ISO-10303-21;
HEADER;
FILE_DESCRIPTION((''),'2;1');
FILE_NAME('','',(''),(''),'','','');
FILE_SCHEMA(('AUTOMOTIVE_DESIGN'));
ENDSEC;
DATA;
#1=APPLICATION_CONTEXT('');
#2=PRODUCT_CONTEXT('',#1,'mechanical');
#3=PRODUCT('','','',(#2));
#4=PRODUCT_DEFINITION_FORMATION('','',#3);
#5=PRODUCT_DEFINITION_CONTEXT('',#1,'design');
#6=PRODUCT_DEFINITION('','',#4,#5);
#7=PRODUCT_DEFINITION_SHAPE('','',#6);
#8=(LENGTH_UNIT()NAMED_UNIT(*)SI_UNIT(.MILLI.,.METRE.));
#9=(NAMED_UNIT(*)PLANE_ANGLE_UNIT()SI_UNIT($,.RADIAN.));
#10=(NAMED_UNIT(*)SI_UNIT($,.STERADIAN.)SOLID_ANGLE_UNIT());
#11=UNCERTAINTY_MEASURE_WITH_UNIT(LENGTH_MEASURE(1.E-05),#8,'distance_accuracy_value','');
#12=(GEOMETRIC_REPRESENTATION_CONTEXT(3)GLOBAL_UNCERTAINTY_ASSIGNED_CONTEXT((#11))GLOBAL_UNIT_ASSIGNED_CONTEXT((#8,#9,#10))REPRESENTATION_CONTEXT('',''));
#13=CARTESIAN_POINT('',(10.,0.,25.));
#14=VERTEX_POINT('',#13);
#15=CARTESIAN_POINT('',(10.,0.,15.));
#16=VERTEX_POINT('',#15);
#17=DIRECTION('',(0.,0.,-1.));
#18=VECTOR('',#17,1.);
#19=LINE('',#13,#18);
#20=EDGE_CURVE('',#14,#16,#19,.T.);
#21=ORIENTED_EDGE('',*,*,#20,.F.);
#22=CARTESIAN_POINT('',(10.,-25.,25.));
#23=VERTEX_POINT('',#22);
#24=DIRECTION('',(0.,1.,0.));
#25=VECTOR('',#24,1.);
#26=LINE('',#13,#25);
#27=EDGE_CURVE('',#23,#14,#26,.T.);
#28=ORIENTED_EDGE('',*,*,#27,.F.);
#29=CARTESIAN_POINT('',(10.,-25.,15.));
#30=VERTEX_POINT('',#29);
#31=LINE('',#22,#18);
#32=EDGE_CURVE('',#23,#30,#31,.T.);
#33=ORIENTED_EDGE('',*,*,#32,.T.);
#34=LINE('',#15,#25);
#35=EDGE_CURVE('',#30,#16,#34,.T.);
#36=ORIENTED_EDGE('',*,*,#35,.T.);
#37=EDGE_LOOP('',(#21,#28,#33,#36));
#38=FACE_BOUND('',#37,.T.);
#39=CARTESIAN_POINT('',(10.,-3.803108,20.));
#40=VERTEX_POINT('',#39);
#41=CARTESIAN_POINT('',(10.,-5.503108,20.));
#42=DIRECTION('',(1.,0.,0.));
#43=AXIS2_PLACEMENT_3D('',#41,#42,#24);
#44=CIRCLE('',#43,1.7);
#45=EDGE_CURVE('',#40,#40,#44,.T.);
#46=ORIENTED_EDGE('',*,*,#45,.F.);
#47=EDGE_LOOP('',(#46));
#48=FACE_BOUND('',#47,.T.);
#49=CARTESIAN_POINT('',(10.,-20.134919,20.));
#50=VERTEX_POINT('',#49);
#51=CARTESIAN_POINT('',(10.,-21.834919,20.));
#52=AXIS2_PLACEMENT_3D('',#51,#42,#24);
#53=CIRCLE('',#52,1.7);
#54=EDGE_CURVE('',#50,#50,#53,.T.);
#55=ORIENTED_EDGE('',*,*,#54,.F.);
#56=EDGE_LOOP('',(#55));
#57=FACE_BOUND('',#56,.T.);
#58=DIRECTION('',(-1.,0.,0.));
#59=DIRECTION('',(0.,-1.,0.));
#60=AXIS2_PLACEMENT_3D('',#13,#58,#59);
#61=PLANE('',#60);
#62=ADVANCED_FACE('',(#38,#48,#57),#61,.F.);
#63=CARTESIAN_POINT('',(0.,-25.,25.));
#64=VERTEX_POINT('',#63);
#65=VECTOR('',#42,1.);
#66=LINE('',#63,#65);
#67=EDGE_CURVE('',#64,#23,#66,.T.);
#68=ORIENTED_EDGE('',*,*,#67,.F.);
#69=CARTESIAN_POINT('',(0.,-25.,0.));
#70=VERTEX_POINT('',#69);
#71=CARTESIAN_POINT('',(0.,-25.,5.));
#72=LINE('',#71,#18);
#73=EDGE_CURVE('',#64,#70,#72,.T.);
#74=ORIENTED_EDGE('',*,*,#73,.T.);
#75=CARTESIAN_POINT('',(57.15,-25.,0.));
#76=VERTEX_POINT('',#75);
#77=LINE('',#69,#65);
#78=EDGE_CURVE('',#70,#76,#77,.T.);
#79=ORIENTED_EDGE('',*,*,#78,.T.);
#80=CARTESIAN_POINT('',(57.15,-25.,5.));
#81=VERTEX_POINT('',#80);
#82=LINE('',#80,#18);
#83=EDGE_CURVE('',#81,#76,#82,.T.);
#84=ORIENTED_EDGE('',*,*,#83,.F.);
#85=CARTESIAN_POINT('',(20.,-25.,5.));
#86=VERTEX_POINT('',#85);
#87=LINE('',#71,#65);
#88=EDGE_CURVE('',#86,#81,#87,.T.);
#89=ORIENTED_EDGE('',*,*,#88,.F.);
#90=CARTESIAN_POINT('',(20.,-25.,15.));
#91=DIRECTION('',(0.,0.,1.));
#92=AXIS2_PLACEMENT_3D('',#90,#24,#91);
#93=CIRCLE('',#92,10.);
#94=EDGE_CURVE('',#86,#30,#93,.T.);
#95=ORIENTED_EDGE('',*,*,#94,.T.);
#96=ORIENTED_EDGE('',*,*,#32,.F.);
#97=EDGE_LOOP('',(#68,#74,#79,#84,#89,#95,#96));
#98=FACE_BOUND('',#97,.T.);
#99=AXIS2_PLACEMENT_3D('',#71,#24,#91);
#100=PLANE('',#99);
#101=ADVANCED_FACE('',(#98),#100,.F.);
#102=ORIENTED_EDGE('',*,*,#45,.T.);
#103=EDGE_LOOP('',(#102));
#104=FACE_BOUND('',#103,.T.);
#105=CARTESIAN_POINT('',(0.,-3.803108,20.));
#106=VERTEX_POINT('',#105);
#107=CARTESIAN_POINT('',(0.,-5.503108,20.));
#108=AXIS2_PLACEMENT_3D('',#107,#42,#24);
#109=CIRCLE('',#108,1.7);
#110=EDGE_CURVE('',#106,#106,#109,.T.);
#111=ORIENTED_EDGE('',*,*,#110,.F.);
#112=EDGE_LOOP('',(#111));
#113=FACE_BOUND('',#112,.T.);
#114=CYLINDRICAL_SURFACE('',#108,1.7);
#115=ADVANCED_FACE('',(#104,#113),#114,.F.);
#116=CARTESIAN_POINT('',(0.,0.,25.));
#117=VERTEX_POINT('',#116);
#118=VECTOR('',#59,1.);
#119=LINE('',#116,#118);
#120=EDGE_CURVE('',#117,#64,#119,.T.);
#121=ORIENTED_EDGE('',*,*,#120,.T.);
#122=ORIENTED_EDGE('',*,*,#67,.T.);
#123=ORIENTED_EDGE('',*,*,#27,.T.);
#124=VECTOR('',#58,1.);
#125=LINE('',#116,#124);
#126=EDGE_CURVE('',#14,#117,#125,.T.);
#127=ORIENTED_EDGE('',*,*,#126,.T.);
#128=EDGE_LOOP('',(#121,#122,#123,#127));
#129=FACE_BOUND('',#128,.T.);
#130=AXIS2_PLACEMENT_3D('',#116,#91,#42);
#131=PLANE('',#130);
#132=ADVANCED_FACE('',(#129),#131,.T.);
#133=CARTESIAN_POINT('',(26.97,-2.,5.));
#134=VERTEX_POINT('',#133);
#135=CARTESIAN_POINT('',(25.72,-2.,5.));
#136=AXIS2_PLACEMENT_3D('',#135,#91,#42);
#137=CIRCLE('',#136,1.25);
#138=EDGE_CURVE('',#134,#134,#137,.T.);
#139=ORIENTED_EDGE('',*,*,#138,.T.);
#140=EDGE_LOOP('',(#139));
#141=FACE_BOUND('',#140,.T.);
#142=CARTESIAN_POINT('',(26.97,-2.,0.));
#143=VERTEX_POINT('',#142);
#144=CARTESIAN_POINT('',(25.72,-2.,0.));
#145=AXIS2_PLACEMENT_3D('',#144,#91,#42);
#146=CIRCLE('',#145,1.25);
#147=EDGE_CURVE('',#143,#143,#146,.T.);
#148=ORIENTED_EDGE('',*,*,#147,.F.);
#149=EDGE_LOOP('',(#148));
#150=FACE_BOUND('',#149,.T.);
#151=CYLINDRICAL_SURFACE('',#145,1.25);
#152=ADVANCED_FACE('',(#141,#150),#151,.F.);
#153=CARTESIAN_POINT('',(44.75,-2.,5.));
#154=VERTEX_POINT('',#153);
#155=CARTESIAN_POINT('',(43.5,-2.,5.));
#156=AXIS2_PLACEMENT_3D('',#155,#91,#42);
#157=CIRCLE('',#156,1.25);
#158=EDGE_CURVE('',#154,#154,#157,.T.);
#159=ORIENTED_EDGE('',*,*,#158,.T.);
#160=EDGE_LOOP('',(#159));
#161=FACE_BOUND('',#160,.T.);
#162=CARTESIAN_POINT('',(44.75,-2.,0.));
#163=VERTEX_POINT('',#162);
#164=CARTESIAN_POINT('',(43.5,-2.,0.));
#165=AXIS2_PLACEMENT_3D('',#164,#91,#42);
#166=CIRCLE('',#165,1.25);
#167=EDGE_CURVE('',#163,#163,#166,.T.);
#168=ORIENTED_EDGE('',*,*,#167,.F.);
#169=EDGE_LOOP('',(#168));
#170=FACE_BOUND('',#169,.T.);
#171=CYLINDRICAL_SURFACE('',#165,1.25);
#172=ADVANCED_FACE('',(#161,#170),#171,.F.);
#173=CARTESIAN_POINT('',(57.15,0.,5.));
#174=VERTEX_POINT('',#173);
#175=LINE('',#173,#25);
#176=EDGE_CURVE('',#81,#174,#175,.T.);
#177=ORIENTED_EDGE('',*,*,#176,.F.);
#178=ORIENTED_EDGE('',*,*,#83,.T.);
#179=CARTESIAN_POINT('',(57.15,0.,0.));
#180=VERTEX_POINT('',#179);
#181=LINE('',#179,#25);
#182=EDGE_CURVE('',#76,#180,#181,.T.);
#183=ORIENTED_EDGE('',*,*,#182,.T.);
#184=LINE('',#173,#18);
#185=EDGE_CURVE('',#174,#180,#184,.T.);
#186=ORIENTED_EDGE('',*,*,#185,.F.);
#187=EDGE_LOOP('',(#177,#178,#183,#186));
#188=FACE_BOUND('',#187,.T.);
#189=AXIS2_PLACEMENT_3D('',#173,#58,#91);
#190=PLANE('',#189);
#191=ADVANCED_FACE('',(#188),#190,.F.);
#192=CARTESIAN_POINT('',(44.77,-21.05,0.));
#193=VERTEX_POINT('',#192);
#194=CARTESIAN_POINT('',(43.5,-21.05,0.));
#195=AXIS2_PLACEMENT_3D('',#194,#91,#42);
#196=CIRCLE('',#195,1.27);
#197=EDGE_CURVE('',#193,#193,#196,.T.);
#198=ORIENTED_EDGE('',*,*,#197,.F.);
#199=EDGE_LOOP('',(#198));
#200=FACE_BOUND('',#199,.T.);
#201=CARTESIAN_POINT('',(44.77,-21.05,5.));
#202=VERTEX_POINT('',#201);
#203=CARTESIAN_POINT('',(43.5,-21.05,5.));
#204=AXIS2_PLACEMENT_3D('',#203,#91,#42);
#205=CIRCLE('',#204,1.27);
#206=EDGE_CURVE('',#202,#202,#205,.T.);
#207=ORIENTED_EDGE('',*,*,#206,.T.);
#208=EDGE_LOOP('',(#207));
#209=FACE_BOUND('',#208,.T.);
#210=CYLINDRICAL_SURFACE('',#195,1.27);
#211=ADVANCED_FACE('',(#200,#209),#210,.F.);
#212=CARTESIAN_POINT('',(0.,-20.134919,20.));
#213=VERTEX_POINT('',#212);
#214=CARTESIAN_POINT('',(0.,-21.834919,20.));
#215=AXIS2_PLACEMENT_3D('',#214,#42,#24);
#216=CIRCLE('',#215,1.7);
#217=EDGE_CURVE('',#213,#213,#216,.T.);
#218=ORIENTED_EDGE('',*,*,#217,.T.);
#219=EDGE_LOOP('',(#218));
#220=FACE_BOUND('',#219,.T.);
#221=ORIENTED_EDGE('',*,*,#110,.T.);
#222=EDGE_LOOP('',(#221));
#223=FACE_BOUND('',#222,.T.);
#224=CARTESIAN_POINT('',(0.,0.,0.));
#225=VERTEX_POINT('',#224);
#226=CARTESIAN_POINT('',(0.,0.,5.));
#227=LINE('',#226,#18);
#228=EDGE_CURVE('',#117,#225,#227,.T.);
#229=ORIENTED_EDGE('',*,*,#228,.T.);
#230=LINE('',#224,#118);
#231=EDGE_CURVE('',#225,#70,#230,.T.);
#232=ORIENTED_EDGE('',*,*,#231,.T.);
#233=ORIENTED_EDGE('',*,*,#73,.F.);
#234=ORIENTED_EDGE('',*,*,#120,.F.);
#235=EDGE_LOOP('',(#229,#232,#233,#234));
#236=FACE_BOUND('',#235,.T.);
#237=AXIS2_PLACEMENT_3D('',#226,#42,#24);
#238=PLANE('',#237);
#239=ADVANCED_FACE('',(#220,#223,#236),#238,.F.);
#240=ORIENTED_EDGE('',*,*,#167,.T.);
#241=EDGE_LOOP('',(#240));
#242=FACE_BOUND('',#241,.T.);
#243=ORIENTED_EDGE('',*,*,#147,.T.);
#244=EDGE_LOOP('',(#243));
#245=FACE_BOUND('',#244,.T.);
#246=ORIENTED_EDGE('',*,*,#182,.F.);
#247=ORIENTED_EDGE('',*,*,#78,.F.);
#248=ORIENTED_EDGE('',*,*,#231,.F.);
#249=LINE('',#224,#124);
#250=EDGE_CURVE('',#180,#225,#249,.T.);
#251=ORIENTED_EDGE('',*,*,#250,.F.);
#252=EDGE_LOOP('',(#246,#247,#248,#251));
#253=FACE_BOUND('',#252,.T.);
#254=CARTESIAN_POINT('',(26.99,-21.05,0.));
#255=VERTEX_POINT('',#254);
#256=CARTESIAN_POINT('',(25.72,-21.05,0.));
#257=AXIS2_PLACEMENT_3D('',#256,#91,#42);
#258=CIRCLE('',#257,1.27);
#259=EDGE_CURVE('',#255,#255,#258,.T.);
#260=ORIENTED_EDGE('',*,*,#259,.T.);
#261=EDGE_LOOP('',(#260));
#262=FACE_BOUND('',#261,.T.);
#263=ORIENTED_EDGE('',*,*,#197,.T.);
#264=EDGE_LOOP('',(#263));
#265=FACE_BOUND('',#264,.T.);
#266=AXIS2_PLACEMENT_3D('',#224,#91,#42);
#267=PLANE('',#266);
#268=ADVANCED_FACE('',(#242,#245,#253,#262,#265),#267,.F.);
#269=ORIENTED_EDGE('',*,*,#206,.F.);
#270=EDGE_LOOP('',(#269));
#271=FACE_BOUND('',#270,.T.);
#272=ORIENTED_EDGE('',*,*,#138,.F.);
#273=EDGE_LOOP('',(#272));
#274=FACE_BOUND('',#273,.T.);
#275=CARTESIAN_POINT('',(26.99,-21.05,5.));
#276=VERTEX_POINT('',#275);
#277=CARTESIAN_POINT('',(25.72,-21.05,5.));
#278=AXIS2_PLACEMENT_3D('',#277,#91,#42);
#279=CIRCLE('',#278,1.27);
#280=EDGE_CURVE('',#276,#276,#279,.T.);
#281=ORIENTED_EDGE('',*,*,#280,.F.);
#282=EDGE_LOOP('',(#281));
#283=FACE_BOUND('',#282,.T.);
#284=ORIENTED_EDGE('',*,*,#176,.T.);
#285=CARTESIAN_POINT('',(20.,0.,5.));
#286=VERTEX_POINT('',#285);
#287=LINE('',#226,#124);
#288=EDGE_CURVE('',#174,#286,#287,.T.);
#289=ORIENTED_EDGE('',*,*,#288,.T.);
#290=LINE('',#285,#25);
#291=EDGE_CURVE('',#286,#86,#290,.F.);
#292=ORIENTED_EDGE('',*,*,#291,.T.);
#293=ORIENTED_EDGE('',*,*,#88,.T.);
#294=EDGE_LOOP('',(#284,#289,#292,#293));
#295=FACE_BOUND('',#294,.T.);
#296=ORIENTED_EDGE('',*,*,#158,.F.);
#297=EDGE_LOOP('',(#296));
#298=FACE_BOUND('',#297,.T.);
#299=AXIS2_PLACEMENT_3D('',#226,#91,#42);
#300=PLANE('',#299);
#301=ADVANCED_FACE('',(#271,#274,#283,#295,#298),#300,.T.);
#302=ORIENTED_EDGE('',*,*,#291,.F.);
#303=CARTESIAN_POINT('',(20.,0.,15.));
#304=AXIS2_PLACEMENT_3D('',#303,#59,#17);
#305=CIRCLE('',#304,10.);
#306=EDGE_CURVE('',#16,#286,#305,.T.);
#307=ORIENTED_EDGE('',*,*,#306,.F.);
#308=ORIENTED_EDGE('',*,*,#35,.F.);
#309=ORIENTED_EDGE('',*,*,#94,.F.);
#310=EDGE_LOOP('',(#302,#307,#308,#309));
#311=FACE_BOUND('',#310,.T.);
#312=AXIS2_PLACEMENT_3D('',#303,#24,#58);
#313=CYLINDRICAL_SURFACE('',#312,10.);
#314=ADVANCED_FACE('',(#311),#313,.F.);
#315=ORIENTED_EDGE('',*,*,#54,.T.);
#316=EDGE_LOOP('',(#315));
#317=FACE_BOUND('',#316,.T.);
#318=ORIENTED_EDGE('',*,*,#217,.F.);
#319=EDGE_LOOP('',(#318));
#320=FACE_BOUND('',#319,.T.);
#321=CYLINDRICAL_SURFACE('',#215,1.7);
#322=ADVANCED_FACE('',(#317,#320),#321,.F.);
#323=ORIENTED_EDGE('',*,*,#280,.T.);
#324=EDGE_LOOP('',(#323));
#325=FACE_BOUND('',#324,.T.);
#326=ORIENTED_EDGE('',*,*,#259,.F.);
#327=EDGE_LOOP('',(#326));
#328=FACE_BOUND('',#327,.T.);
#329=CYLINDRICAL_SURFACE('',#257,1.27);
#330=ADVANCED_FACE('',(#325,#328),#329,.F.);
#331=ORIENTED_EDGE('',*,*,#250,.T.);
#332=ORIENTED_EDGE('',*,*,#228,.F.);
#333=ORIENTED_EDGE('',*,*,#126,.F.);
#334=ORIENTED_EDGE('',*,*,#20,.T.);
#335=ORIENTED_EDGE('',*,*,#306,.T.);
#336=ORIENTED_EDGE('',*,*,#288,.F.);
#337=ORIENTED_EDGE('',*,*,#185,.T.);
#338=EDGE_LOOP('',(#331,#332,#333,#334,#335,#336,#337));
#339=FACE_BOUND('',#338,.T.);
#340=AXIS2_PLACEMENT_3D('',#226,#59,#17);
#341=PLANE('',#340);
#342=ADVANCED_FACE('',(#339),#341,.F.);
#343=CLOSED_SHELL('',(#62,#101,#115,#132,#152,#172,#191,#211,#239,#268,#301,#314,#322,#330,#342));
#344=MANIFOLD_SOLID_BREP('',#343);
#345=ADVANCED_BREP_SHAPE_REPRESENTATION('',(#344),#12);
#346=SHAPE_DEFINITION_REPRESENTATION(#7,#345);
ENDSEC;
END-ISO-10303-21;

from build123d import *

# Parameters (mm, degrees)
SKETCH1_W           = 57.15
SKETCH1_H           = 25
BOSS_EXTRUDE1_DEPTH = 5
SKETCH2_R           = 1.25
SKETCH2_R_2         = 1.27
CUT_EXTRUDE2_DEPTH  = 6
SKETCH5_W           = 10
SKETCH5_H           = 25
BOSS_EXTRUDE3_DEPTH = 20
FILLET1_R           = 10
SKETCH6_R           = 1.7
CUT_EXTRUDE3_DEPTH  = 11


with BuildPart() as part:
    # Sketch1 → Boss-Extrude1 (new body)
    with BuildSketch(Plane.XY):
        with Locations((28.575, -12.5)):
            Rectangle(SKETCH1_W, SKETCH1_H)
    extrude(amount=BOSS_EXTRUDE1_DEPTH)

    # Sketch2 → Cut-Extrude2 (cut, through all)
    with BuildSketch(Plane.XY.offset(5)):
        with Locations((25.72, -2)):
            Circle(SKETCH2_R)
        with Locations((43.5, -2)):
            Circle(SKETCH2_R)
        with Locations((25.72, -21.05)):
            Circle(SKETCH2_R_2)
        with Locations((43.5, -21.05)):
            Circle(SKETCH2_R_2)
    extrude(amount=-CUT_EXTRUDE2_DEPTH, mode=Mode.SUBTRACT)

    # Sketch5 → Boss-Extrude3 (add)
    with BuildSketch(Plane.XY.offset(5)):
        with Locations((5, -12.5)):
            Rectangle(SKETCH5_W, SKETCH5_H)
    extrude(amount=BOSS_EXTRUDE3_DEPTH)

    # Fillet1
    fillet1_edges = [part.edges().sort_by_distance(p)[0] for p in [
        (10, -12.5, 5),
    ]]
    fillet(fillet1_edges, radius=FILLET1_R)

    # Sketch6 → Cut-Extrude3 (cut, through all)
    with BuildSketch(Plane(origin=(10, 0, 0), x_dir=(0, 0, -1), z_dir=(1, 0, 0))):
        with Locations((-20, -21.834919238)):
            Circle(SKETCH6_R)
        with Locations((-20, -5.503108416)):
            Circle(SKETCH6_R)
    extrude(amount=-CUT_EXTRUDE3_DEPTH, mode=Mode.SUBTRACT)


solid = part.part
